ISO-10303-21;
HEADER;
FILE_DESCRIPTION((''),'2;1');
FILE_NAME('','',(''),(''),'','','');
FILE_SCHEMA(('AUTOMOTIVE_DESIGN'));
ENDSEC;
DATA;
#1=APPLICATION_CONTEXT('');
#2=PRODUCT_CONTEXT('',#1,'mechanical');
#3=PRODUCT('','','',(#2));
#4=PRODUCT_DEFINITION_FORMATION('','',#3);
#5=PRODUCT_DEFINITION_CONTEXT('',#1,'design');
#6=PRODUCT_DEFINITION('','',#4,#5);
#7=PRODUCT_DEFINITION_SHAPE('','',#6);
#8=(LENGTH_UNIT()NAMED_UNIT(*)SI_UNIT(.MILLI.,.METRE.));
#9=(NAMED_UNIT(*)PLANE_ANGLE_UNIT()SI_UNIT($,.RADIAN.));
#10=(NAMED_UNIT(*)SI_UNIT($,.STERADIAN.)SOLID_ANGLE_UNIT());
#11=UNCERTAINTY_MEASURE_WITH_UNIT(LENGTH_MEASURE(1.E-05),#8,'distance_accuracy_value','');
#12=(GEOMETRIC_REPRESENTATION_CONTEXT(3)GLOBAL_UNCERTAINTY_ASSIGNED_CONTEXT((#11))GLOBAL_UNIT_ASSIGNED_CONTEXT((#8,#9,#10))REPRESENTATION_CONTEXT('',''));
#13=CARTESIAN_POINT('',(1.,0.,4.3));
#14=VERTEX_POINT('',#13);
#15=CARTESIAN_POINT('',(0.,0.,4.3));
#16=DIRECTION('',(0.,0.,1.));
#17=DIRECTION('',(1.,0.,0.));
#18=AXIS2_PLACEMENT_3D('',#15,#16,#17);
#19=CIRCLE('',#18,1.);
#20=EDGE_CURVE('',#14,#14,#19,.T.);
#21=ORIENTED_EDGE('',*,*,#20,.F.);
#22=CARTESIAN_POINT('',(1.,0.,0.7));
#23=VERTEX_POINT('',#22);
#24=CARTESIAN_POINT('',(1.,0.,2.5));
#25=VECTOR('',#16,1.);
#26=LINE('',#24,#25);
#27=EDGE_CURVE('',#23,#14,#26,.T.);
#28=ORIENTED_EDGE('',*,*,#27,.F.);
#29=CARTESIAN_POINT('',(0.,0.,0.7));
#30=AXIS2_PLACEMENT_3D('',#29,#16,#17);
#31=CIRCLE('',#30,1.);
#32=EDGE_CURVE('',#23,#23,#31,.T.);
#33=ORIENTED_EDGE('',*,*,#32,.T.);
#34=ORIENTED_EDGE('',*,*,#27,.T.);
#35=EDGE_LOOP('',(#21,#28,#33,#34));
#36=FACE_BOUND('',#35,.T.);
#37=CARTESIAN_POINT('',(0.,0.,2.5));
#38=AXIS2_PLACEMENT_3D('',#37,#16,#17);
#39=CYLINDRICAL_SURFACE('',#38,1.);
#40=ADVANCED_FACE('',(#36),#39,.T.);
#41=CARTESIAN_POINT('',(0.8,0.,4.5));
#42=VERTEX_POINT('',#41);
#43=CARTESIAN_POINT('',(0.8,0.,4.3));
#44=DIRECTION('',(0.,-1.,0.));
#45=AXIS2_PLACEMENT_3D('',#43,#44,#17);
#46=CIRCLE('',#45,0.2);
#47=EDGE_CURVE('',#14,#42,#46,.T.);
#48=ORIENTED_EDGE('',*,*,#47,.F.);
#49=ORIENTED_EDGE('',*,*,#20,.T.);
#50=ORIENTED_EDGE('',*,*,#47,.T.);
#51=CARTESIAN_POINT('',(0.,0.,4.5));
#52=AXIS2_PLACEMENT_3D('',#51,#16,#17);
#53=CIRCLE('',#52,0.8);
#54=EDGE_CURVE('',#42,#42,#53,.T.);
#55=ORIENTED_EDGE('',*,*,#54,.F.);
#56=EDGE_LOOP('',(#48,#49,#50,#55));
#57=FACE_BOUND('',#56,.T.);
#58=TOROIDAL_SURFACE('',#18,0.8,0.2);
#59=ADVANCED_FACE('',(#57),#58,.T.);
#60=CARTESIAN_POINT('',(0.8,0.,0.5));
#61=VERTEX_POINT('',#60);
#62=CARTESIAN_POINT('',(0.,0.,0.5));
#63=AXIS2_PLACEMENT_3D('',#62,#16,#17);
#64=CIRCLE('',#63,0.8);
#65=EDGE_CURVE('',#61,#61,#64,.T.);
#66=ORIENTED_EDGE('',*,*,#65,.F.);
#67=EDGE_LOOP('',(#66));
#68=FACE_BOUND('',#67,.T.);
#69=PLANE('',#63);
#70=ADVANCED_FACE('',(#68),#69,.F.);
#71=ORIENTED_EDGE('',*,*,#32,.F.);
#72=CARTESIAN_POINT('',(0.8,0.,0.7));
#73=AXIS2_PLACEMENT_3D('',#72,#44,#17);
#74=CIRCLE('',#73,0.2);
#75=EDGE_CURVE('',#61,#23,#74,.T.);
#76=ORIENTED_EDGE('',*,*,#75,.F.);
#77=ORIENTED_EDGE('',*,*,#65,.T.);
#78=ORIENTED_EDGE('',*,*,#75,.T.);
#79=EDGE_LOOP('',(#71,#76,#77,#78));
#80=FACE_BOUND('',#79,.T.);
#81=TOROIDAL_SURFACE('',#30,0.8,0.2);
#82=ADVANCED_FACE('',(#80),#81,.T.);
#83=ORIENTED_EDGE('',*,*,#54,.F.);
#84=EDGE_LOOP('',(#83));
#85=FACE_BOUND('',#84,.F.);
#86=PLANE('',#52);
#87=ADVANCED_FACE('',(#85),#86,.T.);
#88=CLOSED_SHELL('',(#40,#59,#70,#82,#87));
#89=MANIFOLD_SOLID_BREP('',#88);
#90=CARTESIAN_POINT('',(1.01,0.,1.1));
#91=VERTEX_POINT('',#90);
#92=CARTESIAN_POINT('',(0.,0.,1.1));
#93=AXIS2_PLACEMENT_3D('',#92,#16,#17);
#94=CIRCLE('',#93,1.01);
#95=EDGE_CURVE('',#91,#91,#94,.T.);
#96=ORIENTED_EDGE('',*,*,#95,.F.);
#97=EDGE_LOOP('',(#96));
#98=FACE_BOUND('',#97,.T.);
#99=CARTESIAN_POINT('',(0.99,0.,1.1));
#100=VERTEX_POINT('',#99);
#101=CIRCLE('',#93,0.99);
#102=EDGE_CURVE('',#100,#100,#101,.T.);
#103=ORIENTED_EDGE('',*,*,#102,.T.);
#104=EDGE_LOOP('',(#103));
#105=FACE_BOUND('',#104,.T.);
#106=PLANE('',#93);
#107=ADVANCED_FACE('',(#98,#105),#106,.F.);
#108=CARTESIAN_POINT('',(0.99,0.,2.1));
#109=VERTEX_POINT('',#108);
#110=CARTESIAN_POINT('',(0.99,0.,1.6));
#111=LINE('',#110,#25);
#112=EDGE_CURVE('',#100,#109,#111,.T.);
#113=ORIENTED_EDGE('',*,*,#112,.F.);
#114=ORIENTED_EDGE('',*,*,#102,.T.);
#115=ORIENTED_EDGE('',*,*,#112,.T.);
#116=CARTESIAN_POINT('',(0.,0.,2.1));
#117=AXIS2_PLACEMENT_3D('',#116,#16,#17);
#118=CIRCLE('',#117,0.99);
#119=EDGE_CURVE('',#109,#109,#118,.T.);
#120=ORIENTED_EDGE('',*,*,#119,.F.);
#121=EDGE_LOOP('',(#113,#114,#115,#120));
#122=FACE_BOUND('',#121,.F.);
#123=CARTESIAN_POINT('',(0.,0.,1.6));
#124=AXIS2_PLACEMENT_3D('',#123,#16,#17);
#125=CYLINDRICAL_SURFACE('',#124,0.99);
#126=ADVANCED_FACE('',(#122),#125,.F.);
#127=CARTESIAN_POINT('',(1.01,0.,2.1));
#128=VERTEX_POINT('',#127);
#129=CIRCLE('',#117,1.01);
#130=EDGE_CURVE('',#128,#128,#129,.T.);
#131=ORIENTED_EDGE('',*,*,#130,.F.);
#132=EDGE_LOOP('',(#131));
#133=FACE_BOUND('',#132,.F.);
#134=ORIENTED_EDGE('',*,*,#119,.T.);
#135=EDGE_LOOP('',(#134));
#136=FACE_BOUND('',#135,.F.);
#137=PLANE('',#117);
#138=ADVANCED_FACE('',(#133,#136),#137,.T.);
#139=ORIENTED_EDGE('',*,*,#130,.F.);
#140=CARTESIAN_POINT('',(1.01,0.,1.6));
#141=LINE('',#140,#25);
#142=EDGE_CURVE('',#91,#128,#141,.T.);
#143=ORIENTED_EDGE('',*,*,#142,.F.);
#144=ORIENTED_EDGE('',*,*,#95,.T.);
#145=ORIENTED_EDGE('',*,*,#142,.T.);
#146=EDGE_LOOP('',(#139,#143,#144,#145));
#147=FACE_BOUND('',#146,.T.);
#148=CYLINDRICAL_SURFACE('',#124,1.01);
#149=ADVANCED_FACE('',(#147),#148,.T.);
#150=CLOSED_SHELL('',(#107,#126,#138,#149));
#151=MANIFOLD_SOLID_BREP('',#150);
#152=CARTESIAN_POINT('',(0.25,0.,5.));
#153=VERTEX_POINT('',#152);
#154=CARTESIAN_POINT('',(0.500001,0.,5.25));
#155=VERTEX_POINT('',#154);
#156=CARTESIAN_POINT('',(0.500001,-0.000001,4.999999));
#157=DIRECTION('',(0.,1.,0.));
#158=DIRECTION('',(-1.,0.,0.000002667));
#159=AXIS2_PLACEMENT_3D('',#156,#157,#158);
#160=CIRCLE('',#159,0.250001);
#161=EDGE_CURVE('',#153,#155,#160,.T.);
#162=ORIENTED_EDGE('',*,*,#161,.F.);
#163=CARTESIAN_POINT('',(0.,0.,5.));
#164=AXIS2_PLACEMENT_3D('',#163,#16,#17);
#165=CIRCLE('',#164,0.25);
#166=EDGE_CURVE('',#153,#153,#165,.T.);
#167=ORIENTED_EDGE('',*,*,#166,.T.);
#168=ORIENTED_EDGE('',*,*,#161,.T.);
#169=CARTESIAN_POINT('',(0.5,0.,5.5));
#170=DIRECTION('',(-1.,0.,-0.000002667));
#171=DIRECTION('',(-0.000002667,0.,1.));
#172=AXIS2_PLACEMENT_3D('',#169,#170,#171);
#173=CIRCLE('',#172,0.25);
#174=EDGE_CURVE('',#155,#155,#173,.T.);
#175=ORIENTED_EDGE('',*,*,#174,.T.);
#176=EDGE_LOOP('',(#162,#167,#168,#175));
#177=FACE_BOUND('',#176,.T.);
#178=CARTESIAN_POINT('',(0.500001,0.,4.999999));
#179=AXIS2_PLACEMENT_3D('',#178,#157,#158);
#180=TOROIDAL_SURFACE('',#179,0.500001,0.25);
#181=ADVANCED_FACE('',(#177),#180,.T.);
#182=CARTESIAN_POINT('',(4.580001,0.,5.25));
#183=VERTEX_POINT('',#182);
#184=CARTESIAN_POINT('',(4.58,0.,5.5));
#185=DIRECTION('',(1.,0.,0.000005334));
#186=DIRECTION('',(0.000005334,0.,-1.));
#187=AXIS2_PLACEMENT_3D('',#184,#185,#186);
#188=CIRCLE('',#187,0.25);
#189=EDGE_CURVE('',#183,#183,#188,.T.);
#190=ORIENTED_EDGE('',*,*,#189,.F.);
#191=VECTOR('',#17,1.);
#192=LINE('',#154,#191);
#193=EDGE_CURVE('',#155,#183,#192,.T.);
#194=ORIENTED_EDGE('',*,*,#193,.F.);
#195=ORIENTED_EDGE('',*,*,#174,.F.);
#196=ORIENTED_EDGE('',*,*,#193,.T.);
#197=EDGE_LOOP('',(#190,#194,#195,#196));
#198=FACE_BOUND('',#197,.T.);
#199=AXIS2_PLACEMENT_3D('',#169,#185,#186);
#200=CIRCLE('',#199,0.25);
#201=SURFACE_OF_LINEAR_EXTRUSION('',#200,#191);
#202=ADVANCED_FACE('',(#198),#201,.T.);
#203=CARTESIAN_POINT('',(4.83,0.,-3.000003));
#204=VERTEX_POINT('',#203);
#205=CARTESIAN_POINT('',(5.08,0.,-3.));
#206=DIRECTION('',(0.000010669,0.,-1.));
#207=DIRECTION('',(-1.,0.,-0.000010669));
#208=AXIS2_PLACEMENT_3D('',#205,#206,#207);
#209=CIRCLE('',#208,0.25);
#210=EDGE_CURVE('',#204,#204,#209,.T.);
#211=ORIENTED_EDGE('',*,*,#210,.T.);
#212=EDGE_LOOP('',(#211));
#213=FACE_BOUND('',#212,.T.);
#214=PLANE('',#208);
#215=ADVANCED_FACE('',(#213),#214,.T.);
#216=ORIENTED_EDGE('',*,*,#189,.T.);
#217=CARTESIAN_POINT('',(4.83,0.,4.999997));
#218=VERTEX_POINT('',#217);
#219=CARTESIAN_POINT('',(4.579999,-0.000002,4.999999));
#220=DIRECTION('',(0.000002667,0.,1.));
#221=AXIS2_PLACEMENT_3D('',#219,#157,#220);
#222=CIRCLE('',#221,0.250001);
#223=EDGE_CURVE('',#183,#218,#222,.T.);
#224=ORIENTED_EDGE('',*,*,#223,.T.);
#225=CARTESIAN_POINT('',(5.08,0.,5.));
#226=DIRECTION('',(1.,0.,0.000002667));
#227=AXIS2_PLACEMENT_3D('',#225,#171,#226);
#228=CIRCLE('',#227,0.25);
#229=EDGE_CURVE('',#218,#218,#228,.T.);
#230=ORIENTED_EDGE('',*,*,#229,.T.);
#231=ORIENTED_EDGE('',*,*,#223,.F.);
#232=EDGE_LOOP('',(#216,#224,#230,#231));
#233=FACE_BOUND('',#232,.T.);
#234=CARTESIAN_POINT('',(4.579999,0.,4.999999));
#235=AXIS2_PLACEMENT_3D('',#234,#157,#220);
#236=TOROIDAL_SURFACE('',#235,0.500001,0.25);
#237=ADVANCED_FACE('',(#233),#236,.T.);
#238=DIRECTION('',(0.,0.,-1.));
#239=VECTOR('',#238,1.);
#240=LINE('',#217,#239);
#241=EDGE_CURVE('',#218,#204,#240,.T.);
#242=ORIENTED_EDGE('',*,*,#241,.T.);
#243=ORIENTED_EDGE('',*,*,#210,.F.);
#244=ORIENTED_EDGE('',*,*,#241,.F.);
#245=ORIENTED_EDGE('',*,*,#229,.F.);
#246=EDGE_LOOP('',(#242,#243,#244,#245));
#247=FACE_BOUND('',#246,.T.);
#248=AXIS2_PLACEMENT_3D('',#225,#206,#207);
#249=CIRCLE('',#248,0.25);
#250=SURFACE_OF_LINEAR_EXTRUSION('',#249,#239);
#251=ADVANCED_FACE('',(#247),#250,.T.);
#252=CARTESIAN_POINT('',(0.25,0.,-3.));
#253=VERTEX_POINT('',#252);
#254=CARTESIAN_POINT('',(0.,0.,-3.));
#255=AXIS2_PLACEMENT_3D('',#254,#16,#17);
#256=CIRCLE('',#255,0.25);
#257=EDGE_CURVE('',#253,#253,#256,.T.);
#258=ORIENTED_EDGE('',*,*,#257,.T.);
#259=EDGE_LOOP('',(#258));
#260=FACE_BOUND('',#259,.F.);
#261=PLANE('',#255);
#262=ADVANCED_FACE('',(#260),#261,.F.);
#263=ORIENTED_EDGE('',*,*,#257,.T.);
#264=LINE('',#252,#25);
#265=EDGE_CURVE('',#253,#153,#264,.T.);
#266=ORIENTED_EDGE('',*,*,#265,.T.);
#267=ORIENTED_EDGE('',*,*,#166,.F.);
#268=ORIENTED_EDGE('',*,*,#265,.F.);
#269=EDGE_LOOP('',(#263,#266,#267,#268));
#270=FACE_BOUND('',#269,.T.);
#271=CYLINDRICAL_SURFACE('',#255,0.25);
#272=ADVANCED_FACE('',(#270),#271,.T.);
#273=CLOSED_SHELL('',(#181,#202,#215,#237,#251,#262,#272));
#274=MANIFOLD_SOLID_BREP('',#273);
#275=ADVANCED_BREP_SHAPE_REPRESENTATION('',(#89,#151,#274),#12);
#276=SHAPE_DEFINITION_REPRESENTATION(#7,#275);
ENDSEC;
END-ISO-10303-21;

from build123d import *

# Parameters (mm, degrees)
SKETCH001_R = 0.25
SKETCH003_W = 0.02
SKETCH003_H = 1
SKETCH002_W = 1
SKETCH002_H = 4
FILLET_R    = 0.2


with BuildPart() as sweep_body:
    # Sweep: sweep along a path in Sketch
    with BuildLine(Plane.XZ) as sweep_path:
        Line((0, -3), (0, 5))
        ThreePointArc((0, 5), (0.146447, 5.353553), (0.5, 5.5))
        Line((0.5, 5.5), (4.58, 5.5))
        ThreePointArc((4.58, 5.5), (4.933553, 5.353553), (5.08, 5))
        Line((5.08, 5), (5.08, -3))
    # Sketch001 → Sweep (sweep)
    with BuildSketch(Plane.XY):
        Circle(SKETCH001_R)
    sweep(path=sweep_path.line)


with BuildPart() as revolution001:
    # Sketch003 → Revolution001 (revolve)
    with BuildSketch(Plane.XZ):
        with Locations((1, 1.6)):
            Rectangle(SKETCH003_W, SKETCH003_H)
    revolve(axis=Axis((0, 0, 5.9), (0, 0, 1)))


with BuildPart() as fillet_body:
    # Sketch002 → Revolution (revolve)
    with BuildSketch(Plane.XZ):
        with Locations((0.5, 2.5)):
            Rectangle(SKETCH002_W, SKETCH002_H)
    revolve(axis=Axis((0, 0, 0.5), (0, 0, 1)))

    # Fillet
    fillet_edges = [fillet_body.edges().sort_by_distance(p)[0] for p in [
        (-1, 0, 4.5),
        (-1, 0, 0.5),
    ]]
    fillet(fillet_edges, radius=FILLET_R)


solid = Compound([sweep_body.part, revolution001.part, fillet_body.part])
